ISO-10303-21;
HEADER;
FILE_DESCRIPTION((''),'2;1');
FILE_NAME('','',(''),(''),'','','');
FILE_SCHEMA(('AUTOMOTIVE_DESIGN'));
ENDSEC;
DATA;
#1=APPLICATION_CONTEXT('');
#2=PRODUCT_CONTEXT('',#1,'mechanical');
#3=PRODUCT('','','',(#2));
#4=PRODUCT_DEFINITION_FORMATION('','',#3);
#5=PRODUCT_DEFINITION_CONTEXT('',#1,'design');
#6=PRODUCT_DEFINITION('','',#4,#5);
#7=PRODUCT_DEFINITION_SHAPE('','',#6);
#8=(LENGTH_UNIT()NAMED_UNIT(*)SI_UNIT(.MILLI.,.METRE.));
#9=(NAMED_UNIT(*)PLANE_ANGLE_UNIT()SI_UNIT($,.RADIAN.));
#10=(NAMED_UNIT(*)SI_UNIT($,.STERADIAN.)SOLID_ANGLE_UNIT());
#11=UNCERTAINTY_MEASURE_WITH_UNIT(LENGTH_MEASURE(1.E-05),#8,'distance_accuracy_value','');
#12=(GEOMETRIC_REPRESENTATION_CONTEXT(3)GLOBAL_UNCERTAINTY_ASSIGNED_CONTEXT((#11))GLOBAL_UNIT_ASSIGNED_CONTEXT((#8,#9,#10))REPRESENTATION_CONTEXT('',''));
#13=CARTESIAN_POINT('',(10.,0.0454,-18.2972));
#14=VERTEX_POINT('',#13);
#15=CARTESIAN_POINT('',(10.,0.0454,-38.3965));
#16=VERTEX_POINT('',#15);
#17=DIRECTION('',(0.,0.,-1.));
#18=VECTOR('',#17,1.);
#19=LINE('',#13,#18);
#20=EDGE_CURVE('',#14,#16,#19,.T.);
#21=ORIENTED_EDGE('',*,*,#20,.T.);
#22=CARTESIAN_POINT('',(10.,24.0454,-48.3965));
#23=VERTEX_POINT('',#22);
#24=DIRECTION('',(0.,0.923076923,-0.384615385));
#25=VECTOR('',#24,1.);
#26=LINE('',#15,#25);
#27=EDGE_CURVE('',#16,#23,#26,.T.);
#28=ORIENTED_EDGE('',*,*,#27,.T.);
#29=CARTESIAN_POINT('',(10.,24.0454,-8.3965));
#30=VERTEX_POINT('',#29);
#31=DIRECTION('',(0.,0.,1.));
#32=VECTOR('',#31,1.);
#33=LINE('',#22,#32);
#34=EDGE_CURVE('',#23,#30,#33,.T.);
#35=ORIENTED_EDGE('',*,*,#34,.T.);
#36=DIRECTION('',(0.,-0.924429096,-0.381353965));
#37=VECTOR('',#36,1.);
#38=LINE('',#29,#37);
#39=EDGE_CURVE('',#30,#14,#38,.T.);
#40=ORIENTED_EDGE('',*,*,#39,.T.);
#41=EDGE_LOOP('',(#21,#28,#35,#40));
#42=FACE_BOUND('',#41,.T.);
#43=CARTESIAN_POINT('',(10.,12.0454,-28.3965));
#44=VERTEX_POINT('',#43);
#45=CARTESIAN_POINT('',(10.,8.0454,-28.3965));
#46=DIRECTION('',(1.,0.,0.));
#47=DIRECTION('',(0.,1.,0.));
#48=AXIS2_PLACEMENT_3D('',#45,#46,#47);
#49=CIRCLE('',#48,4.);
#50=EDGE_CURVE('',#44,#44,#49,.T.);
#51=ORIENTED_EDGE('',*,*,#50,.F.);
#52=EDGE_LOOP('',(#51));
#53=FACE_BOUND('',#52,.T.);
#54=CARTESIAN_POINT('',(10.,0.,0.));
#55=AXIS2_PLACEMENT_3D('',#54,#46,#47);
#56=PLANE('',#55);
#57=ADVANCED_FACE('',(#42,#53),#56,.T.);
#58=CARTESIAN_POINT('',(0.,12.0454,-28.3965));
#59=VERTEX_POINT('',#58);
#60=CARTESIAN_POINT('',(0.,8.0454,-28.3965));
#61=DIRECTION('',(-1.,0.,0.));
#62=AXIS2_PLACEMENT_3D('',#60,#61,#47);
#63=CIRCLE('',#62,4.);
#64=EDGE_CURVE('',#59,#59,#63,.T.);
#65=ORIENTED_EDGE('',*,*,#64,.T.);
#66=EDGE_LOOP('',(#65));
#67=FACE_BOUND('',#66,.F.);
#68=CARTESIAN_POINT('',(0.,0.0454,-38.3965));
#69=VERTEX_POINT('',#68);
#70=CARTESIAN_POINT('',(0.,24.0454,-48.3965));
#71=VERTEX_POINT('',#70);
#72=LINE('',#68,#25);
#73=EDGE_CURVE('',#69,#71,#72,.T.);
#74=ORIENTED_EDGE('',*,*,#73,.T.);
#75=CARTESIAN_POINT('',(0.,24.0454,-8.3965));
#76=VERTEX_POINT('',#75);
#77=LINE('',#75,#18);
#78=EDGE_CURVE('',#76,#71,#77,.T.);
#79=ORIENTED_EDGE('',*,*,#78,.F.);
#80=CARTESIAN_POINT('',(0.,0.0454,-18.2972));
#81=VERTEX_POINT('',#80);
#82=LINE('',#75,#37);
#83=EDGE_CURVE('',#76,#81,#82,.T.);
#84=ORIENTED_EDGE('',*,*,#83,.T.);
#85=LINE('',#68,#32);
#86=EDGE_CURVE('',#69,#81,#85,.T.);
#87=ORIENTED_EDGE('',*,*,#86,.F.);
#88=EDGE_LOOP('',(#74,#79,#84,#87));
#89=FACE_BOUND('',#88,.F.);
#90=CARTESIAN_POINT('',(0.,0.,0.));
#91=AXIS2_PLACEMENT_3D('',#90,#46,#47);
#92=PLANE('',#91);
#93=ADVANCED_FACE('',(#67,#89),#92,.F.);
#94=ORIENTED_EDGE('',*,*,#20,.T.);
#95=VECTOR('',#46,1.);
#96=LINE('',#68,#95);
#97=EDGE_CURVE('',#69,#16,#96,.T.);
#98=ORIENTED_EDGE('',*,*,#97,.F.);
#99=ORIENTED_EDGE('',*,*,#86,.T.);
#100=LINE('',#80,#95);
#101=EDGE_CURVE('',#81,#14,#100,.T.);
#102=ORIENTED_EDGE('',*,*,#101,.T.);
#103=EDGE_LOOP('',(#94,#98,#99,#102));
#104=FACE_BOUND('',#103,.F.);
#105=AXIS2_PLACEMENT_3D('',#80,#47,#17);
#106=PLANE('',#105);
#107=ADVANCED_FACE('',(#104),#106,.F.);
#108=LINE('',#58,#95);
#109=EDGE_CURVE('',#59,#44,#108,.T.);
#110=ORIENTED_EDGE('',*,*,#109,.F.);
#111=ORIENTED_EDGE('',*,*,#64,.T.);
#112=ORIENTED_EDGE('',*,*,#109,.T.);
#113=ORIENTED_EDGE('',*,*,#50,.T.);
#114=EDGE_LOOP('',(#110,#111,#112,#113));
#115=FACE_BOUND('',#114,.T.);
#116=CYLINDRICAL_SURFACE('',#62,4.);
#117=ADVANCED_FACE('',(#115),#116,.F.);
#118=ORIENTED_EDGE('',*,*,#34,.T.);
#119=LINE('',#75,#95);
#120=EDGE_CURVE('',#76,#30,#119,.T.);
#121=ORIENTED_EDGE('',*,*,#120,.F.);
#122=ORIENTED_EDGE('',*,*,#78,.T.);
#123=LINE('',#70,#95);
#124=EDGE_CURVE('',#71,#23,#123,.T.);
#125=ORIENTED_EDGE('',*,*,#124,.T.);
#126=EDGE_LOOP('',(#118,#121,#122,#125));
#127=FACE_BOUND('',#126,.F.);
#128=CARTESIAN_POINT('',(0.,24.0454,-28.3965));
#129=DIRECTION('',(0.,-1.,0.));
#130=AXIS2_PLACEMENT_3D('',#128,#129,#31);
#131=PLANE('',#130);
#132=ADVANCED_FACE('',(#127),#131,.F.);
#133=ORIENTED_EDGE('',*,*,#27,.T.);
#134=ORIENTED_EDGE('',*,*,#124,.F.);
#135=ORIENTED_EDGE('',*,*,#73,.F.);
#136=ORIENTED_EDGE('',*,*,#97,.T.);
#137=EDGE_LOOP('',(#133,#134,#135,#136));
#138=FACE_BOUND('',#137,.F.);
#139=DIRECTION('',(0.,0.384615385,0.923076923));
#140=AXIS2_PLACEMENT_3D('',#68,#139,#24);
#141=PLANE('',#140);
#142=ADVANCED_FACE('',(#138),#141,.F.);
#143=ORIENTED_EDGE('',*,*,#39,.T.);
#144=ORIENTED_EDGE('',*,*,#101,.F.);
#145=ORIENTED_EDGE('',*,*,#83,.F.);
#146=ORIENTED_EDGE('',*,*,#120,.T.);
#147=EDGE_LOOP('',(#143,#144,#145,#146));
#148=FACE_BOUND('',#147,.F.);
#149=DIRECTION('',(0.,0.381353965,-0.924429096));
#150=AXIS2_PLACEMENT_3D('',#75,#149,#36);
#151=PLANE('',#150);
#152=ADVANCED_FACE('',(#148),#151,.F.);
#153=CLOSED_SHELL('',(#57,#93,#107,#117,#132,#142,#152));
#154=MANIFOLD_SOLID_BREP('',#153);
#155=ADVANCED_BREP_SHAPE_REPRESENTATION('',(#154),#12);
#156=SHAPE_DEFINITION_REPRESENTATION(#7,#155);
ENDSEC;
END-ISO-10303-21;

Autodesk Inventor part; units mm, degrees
ref_plane "YZ Plane" through (0, 0, 0) normal (1, 0, 0) x (0, 1, 0)
ref_plane "XZ Plane" through (0, 0, 0) normal (0, 1, 0) x (-1, 0, 0)
ref_plane "XY Plane" through (0, 0, 0) normal (0, 0, 1) x (1, 0, 0)
sketch "Эскиз1" plane through (0, 0, 0) normal (1, 0, 0) x (0, 1, 0)
  line L0 (0.0454, -28.3965) -> (31.0454, -28.3965)
  line L1 (0.0454, -18.2972) -> (0.0454, -38.3965)
  line L2 (24.0454, -28.3965) -> (24.0454, -48.3965)
  line L3 (24.0454, -48.3965) -> (24.0454, -8.3965)
  line L4 (24.0454, -8.3965) -> (0.0454, -18.2972)
  line L5 (0.0454, -38.3965) -> (24.0454, -48.3965)
  circle A0 centre (8.0454, -28.3965) radius 4
  point P0 (0, 0)
  point P1 (-21.9008, -17.3129)
  point P2 (7.0992, 6.6871)
extrude "Выдавливание1" add sketch "Эскиз1" along normal blind 10 contours A0 L0 L1 L4 L3 | L0 L2 L5 L1 A0
equation "\"Радиус_гибки\" = Толщина"
equation "\"Ширина_просечки\" = Толщина"
equation "\"Глубина_просечки\" = 0.5 * Толщина"
equation "\"Размер_просечки\" = 4 * Толщина"
equation "\"Мин_остаток\" = 2 * Толщина"
equation "\"Радиус_перехода\" = Радиус_гибки"
equation "\"Радиус_Якоби\" = Радиус_гибки"
equation "\"Размер_зазора\" = Толщина"
equation "\"Толщина\" = 0.5"
